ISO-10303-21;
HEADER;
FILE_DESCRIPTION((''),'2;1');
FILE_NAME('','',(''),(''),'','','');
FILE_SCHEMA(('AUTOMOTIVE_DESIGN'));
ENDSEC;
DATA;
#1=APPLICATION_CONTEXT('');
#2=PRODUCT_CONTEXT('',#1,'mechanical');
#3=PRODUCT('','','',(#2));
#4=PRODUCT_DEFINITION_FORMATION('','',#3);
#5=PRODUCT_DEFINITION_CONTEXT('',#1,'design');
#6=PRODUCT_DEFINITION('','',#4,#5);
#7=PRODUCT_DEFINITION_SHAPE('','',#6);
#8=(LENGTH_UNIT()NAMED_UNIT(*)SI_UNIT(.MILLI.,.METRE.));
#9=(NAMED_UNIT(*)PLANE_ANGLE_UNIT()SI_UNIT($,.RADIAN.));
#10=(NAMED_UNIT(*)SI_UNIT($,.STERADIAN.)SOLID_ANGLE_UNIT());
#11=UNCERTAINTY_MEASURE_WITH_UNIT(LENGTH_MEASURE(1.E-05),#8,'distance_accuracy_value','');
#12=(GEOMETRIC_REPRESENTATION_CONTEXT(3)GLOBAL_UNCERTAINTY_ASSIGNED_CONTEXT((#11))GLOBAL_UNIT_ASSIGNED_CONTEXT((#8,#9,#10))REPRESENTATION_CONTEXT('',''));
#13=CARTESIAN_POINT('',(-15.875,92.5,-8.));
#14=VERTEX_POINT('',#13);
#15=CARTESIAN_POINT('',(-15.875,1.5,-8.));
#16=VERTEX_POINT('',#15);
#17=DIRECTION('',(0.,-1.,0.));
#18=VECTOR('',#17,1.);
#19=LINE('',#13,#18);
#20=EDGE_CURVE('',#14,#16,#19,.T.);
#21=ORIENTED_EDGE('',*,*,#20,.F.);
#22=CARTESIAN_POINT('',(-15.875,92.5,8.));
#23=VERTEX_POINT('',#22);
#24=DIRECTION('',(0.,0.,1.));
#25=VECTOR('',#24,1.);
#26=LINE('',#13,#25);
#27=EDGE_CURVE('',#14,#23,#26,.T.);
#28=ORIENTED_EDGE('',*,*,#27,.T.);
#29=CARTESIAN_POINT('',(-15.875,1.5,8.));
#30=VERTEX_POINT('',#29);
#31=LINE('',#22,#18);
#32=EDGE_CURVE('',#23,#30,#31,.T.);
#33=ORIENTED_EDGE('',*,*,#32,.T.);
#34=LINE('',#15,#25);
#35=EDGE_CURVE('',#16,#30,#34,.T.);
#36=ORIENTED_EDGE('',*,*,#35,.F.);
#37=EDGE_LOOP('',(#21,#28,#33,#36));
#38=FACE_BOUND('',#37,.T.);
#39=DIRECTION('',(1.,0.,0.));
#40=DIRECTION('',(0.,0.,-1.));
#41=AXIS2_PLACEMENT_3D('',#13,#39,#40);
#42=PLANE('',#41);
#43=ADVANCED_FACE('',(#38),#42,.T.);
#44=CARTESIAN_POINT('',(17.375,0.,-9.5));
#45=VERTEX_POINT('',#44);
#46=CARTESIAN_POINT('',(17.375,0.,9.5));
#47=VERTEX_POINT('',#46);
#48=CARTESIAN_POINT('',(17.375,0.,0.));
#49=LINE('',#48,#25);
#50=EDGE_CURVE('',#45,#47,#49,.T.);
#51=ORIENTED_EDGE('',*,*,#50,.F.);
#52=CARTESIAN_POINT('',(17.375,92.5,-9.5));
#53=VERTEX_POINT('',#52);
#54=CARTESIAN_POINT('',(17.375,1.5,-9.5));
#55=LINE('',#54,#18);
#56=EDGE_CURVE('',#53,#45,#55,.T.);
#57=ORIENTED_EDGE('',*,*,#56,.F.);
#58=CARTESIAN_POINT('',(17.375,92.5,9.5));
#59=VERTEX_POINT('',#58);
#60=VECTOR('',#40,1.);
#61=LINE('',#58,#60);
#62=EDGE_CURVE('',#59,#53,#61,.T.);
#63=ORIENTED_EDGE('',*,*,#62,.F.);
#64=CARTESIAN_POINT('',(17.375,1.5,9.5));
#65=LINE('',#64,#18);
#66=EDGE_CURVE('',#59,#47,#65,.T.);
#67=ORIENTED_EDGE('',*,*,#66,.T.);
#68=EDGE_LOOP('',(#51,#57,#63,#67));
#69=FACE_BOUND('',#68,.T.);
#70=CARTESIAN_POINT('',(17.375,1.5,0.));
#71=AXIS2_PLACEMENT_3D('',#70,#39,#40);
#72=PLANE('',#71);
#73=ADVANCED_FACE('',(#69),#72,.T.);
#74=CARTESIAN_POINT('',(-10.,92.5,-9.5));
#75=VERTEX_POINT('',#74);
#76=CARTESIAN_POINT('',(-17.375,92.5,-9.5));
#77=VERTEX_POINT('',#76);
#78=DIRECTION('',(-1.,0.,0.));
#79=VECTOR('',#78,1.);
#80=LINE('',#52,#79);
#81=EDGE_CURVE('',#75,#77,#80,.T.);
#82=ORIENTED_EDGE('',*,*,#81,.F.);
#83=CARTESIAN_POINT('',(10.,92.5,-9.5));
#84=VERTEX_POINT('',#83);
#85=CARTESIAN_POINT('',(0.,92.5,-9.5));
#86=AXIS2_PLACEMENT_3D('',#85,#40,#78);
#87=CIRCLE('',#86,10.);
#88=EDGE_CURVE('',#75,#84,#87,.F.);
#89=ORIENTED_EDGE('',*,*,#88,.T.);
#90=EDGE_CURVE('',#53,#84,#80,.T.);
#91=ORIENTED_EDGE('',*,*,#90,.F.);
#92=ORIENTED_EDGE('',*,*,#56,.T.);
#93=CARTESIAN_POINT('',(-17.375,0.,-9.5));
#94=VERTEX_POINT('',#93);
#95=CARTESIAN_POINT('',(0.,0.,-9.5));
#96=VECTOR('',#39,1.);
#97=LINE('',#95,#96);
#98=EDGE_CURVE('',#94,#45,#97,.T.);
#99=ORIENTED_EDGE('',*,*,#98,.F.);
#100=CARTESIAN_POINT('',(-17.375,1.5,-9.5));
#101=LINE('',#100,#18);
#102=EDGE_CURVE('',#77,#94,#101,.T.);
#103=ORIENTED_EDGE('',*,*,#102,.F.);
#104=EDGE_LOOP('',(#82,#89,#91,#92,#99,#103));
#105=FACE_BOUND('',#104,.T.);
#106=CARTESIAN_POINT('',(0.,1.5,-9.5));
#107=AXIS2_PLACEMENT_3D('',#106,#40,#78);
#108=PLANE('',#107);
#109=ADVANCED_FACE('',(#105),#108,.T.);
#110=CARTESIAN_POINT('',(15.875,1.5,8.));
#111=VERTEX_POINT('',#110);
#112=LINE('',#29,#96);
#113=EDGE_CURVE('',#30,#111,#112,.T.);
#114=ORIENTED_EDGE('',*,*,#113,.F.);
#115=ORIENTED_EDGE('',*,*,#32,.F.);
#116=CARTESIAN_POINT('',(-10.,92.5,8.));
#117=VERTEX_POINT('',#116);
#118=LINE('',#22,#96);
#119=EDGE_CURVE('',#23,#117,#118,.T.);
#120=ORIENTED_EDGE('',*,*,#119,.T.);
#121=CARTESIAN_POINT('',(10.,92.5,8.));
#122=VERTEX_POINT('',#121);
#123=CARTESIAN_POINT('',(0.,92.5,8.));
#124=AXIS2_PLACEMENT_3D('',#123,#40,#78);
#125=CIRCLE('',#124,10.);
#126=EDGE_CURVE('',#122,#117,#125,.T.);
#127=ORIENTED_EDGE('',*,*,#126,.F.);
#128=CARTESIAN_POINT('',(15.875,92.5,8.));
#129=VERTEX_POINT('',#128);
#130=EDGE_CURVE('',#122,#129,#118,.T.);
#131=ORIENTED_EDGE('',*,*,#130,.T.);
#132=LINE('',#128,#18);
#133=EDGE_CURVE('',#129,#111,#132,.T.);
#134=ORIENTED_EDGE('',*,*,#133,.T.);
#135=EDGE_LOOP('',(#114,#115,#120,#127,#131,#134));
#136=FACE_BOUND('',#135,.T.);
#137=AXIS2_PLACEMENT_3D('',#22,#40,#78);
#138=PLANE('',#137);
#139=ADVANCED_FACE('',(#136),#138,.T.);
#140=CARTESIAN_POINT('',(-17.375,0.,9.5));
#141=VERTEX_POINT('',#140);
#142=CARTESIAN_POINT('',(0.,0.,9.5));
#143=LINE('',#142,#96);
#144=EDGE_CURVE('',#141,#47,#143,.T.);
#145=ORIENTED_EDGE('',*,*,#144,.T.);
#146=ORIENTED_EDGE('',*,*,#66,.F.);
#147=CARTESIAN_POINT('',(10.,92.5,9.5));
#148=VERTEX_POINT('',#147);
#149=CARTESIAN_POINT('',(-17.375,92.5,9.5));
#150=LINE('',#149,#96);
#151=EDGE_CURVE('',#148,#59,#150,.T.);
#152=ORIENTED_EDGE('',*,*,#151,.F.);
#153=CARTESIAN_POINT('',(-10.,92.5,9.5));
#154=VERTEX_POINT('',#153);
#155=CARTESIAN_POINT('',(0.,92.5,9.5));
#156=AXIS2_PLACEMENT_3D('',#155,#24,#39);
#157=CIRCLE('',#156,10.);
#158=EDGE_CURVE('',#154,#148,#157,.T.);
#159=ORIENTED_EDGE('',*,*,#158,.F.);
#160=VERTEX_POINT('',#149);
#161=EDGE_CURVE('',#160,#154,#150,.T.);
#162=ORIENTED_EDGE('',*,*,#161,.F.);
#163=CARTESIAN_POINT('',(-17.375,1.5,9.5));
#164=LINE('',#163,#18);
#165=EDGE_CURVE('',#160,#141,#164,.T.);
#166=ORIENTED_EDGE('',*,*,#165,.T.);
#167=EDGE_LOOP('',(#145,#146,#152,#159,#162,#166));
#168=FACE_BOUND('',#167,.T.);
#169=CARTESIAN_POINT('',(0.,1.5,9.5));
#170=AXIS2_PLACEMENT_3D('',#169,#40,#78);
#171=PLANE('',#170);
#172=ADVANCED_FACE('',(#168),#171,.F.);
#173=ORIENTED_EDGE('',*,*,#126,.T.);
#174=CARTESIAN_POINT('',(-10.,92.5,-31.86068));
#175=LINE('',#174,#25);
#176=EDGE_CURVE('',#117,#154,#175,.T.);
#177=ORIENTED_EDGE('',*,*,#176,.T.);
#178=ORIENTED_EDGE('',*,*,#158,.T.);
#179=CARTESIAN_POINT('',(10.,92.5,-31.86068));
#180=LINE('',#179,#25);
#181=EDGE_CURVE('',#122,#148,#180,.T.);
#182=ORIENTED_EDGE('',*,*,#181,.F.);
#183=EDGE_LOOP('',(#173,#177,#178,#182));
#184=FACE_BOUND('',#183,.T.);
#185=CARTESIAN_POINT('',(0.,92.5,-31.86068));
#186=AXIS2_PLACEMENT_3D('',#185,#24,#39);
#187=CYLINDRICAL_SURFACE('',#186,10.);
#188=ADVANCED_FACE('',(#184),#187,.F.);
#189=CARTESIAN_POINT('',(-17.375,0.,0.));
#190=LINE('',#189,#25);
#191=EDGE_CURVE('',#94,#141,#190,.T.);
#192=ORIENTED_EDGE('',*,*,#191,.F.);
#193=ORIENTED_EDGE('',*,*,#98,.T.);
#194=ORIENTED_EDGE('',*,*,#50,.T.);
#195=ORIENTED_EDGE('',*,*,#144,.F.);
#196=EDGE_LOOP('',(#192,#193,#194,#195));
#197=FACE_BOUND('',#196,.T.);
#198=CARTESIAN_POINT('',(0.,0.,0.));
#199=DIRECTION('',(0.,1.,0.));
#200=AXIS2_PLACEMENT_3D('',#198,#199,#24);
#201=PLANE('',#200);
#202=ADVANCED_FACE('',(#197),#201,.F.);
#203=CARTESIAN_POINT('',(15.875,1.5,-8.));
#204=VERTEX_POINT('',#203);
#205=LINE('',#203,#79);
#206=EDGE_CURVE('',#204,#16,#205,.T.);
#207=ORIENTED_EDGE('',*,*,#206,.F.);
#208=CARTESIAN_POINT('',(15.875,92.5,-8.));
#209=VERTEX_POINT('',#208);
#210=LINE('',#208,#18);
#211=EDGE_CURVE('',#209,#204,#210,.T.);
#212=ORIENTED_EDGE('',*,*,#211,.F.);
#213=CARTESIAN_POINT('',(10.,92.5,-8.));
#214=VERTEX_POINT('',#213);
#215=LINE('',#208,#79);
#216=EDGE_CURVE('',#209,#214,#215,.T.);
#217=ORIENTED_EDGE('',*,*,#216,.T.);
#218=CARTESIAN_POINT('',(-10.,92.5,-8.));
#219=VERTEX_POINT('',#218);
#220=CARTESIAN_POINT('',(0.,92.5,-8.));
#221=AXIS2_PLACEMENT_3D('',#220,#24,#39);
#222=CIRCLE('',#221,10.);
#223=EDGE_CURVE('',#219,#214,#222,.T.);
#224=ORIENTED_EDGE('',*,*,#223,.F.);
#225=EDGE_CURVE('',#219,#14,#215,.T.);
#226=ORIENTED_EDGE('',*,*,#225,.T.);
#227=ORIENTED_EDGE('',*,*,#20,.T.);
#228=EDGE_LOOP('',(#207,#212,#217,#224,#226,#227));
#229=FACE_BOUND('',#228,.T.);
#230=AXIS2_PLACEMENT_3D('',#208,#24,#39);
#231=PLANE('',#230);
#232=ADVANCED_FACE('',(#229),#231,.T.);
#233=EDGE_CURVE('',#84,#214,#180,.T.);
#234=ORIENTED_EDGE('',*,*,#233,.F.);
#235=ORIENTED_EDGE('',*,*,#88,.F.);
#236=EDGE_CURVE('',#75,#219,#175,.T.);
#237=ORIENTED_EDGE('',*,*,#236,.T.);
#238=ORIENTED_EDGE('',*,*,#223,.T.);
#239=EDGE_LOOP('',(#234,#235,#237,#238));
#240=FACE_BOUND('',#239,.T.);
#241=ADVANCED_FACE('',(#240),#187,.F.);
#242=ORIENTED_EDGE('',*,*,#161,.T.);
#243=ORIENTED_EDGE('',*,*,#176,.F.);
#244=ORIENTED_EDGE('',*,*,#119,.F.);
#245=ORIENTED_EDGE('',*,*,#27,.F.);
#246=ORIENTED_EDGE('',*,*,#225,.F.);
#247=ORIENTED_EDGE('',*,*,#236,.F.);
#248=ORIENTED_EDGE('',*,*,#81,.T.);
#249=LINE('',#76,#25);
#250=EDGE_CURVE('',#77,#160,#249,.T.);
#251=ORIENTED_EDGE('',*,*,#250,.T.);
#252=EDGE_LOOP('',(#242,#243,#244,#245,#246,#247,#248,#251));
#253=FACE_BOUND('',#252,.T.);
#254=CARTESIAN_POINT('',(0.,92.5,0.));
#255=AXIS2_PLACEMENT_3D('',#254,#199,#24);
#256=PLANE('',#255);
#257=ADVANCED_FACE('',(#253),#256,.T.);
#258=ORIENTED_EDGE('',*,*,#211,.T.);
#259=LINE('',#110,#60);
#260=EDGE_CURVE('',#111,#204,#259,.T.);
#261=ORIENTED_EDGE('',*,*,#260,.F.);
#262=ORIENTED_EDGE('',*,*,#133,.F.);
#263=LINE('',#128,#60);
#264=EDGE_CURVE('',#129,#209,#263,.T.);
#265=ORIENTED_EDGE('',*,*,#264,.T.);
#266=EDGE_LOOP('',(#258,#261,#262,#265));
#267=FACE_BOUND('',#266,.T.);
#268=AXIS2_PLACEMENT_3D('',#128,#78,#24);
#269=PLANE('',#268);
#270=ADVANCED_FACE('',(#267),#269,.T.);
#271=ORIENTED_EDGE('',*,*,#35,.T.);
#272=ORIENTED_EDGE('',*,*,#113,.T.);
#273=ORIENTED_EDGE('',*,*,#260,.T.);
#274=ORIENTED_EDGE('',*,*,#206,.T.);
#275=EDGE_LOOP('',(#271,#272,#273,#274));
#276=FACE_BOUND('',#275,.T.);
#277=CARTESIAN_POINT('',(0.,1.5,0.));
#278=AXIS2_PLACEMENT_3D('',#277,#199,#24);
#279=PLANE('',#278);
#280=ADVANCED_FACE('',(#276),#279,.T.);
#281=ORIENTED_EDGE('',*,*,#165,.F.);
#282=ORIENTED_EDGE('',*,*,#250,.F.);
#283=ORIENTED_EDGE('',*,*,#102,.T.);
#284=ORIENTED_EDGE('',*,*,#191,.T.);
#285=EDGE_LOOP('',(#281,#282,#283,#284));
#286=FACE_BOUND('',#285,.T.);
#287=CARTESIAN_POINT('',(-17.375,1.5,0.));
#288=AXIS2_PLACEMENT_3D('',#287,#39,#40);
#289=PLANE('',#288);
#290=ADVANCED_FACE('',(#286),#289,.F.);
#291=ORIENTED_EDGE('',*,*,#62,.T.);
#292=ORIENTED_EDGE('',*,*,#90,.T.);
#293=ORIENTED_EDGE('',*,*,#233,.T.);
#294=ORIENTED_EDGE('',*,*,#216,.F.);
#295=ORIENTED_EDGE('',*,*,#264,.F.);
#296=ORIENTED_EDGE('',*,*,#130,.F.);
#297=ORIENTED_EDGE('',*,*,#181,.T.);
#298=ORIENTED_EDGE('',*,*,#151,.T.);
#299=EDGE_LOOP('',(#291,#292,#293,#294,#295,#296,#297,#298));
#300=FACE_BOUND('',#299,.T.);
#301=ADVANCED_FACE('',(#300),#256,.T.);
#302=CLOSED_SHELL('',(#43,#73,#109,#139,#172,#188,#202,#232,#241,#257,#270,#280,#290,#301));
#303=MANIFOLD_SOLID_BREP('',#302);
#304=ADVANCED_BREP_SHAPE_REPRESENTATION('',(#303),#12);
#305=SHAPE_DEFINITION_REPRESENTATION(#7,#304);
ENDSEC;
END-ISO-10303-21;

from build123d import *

# Parameters (mm, degrees)
SKETCH1_W           = 34.75
SKETCH1_H           = 19
SKETCH1_W_2         = 31.75
SKETCH1_H_2         = 16
BOSS_EXTRUDE1_DEPTH = 1.5
SKETCH2_W           = 34.75
SKETCH2_H           = 19
SKETCH2_W_2         = 31.75
SKETCH2_H_2         = 16
BOSS_EXTRUDE2_DEPTH = 91
CUT_EXTRUDE1_REACH  = 98.016


with BuildPart() as part:
    # Sketch1 → Boss-Extrude1 (new body)
    # profile 1 of 2: a face of its own
    with BuildSketch(Plane(origin=(0, 0, 0), x_dir=(1, 0, 0), z_dir=(0, 1, 0))):
        Rectangle(SKETCH1_W, SKETCH1_H)
        Rectangle(SKETCH1_W_2, SKETCH1_H_2, mode=Mode.SUBTRACT)
    # profile 2 of 2: a face of its own
    with BuildSketch(Plane(origin=(0, 0, 0), x_dir=(1, 0, 0), z_dir=(0, 1, 0))):
        Rectangle(SKETCH1_W_2, SKETCH1_H_2)
    extrude(amount=BOSS_EXTRUDE1_DEPTH)

    # Sketch2 → Boss-Extrude2 (add)
    with BuildSketch(Plane(origin=(0, 1.5, 0), x_dir=(1, 0, 0), z_dir=(0, 1, 0))):
        Rectangle(SKETCH2_W, SKETCH2_H)
        Rectangle(SKETCH2_W_2, SKETCH2_H_2, mode=Mode.SUBTRACT)
    extrude(amount=BOSS_EXTRUDE2_DEPTH)

    # Cut-Extrude1: up to this face of the body (flat: up to its plane)
    cut_extrude1_end = Plane(part.part.faces().sort_by_distance((0, 46.25, -9.5))[0])
    # Sketch3 → Cut-Extrude1 (cut, up to the picked face)
    with BuildSketch(Plane.XY.offset(9.5), mode=Mode.PRIVATE) as cut_extrude1_sk1:
        with BuildLine():
            Line((10, 92.5), (0, 92.5))
            Line((0, 92.5), (0, 82.5))
            ThreePointArc((0, 82.5), (7.071067812, 85.428932188), (10, 92.5))
        make_face()
    cut_extrude1_tool1 = split(extrude(cut_extrude1_sk1.sketch, amount=-CUT_EXTRUDE1_REACH, mode=Mode.PRIVATE), bisect_by=cut_extrude1_end, keep=Keep.BOTH, mode=Mode.PRIVATE)
    # Sketch3 → Cut-Extrude1 (cut, up to the picked face)
    with BuildSketch(Plane.XY.offset(9.5), mode=Mode.PRIVATE) as cut_extrude1_sk2:
        with BuildLine():
            Line((0, 82.5), (0, 92.5))
            Line((0, 92.5), (-10, 92.5))
            ThreePointArc((-10, 92.5), (-7.071067812, 85.428932188), (0, 82.5))
        make_face()
    cut_extrude1_tool2 = split(extrude(cut_extrude1_sk2.sketch, amount=-CUT_EXTRUDE1_REACH, mode=Mode.PRIVATE), bisect_by=cut_extrude1_end, keep=Keep.BOTH, mode=Mode.PRIVATE)
    # Sketch3 → Cut-Extrude1 (cut, up to the picked face)
    with BuildSketch(Plane.XY.offset(9.5), mode=Mode.PRIVATE) as cut_extrude1_sk3:
        with BuildLine():
            Line((10, 92.5), (0, 92.5))
            Line((0, 92.5), (0, 82.5))
            ThreePointArc((0, 82.5), (7.071067812, 85.428932188), (10, 92.5))
        make_face()
    cut_extrude1_tool3 = split(extrude(cut_extrude1_sk3.sketch, amount=-CUT_EXTRUDE1_REACH, mode=Mode.PRIVATE), bisect_by=cut_extrude1_end, keep=Keep.BOTH, mode=Mode.PRIVATE)
    # Sketch3 → Cut-Extrude1 (cut, up to the picked face)
    with BuildSketch(Plane.XY.offset(9.5), mode=Mode.PRIVATE) as cut_extrude1_sk4:
        with BuildLine():
            Line((0, 82.5), (0, 92.5))
            Line((0, 92.5), (-10, 92.5))
            ThreePointArc((-10, 92.5), (-7.071067812, 85.428932188), (0, 82.5))
        make_face()
    cut_extrude1_tool4 = split(extrude(cut_extrude1_sk4.sketch, amount=-CUT_EXTRUDE1_REACH, mode=Mode.PRIVATE), bisect_by=cut_extrude1_end, keep=Keep.BOTH, mode=Mode.PRIVATE)
    add(cut_extrude1_tool1.solids().sort_by(Axis((4.244132, 88.255868, 9.5), (0, 0, -1)))[0], mode=Mode.SUBTRACT)
    add(cut_extrude1_tool2.solids().sort_by(Axis((-4.244132, 88.255868, 9.5), (0, 0, -1)))[0], mode=Mode.SUBTRACT)
    add(cut_extrude1_tool3.solids().sort_by(Axis((4.244132, 88.255868, 9.5), (0, 0, -1)))[0], mode=Mode.SUBTRACT)
    add(cut_extrude1_tool4.solids().sort_by(Axis((-4.244132, 88.255868, 9.5), (0, 0, -1)))[0], mode=Mode.SUBTRACT)


solid = part.part
